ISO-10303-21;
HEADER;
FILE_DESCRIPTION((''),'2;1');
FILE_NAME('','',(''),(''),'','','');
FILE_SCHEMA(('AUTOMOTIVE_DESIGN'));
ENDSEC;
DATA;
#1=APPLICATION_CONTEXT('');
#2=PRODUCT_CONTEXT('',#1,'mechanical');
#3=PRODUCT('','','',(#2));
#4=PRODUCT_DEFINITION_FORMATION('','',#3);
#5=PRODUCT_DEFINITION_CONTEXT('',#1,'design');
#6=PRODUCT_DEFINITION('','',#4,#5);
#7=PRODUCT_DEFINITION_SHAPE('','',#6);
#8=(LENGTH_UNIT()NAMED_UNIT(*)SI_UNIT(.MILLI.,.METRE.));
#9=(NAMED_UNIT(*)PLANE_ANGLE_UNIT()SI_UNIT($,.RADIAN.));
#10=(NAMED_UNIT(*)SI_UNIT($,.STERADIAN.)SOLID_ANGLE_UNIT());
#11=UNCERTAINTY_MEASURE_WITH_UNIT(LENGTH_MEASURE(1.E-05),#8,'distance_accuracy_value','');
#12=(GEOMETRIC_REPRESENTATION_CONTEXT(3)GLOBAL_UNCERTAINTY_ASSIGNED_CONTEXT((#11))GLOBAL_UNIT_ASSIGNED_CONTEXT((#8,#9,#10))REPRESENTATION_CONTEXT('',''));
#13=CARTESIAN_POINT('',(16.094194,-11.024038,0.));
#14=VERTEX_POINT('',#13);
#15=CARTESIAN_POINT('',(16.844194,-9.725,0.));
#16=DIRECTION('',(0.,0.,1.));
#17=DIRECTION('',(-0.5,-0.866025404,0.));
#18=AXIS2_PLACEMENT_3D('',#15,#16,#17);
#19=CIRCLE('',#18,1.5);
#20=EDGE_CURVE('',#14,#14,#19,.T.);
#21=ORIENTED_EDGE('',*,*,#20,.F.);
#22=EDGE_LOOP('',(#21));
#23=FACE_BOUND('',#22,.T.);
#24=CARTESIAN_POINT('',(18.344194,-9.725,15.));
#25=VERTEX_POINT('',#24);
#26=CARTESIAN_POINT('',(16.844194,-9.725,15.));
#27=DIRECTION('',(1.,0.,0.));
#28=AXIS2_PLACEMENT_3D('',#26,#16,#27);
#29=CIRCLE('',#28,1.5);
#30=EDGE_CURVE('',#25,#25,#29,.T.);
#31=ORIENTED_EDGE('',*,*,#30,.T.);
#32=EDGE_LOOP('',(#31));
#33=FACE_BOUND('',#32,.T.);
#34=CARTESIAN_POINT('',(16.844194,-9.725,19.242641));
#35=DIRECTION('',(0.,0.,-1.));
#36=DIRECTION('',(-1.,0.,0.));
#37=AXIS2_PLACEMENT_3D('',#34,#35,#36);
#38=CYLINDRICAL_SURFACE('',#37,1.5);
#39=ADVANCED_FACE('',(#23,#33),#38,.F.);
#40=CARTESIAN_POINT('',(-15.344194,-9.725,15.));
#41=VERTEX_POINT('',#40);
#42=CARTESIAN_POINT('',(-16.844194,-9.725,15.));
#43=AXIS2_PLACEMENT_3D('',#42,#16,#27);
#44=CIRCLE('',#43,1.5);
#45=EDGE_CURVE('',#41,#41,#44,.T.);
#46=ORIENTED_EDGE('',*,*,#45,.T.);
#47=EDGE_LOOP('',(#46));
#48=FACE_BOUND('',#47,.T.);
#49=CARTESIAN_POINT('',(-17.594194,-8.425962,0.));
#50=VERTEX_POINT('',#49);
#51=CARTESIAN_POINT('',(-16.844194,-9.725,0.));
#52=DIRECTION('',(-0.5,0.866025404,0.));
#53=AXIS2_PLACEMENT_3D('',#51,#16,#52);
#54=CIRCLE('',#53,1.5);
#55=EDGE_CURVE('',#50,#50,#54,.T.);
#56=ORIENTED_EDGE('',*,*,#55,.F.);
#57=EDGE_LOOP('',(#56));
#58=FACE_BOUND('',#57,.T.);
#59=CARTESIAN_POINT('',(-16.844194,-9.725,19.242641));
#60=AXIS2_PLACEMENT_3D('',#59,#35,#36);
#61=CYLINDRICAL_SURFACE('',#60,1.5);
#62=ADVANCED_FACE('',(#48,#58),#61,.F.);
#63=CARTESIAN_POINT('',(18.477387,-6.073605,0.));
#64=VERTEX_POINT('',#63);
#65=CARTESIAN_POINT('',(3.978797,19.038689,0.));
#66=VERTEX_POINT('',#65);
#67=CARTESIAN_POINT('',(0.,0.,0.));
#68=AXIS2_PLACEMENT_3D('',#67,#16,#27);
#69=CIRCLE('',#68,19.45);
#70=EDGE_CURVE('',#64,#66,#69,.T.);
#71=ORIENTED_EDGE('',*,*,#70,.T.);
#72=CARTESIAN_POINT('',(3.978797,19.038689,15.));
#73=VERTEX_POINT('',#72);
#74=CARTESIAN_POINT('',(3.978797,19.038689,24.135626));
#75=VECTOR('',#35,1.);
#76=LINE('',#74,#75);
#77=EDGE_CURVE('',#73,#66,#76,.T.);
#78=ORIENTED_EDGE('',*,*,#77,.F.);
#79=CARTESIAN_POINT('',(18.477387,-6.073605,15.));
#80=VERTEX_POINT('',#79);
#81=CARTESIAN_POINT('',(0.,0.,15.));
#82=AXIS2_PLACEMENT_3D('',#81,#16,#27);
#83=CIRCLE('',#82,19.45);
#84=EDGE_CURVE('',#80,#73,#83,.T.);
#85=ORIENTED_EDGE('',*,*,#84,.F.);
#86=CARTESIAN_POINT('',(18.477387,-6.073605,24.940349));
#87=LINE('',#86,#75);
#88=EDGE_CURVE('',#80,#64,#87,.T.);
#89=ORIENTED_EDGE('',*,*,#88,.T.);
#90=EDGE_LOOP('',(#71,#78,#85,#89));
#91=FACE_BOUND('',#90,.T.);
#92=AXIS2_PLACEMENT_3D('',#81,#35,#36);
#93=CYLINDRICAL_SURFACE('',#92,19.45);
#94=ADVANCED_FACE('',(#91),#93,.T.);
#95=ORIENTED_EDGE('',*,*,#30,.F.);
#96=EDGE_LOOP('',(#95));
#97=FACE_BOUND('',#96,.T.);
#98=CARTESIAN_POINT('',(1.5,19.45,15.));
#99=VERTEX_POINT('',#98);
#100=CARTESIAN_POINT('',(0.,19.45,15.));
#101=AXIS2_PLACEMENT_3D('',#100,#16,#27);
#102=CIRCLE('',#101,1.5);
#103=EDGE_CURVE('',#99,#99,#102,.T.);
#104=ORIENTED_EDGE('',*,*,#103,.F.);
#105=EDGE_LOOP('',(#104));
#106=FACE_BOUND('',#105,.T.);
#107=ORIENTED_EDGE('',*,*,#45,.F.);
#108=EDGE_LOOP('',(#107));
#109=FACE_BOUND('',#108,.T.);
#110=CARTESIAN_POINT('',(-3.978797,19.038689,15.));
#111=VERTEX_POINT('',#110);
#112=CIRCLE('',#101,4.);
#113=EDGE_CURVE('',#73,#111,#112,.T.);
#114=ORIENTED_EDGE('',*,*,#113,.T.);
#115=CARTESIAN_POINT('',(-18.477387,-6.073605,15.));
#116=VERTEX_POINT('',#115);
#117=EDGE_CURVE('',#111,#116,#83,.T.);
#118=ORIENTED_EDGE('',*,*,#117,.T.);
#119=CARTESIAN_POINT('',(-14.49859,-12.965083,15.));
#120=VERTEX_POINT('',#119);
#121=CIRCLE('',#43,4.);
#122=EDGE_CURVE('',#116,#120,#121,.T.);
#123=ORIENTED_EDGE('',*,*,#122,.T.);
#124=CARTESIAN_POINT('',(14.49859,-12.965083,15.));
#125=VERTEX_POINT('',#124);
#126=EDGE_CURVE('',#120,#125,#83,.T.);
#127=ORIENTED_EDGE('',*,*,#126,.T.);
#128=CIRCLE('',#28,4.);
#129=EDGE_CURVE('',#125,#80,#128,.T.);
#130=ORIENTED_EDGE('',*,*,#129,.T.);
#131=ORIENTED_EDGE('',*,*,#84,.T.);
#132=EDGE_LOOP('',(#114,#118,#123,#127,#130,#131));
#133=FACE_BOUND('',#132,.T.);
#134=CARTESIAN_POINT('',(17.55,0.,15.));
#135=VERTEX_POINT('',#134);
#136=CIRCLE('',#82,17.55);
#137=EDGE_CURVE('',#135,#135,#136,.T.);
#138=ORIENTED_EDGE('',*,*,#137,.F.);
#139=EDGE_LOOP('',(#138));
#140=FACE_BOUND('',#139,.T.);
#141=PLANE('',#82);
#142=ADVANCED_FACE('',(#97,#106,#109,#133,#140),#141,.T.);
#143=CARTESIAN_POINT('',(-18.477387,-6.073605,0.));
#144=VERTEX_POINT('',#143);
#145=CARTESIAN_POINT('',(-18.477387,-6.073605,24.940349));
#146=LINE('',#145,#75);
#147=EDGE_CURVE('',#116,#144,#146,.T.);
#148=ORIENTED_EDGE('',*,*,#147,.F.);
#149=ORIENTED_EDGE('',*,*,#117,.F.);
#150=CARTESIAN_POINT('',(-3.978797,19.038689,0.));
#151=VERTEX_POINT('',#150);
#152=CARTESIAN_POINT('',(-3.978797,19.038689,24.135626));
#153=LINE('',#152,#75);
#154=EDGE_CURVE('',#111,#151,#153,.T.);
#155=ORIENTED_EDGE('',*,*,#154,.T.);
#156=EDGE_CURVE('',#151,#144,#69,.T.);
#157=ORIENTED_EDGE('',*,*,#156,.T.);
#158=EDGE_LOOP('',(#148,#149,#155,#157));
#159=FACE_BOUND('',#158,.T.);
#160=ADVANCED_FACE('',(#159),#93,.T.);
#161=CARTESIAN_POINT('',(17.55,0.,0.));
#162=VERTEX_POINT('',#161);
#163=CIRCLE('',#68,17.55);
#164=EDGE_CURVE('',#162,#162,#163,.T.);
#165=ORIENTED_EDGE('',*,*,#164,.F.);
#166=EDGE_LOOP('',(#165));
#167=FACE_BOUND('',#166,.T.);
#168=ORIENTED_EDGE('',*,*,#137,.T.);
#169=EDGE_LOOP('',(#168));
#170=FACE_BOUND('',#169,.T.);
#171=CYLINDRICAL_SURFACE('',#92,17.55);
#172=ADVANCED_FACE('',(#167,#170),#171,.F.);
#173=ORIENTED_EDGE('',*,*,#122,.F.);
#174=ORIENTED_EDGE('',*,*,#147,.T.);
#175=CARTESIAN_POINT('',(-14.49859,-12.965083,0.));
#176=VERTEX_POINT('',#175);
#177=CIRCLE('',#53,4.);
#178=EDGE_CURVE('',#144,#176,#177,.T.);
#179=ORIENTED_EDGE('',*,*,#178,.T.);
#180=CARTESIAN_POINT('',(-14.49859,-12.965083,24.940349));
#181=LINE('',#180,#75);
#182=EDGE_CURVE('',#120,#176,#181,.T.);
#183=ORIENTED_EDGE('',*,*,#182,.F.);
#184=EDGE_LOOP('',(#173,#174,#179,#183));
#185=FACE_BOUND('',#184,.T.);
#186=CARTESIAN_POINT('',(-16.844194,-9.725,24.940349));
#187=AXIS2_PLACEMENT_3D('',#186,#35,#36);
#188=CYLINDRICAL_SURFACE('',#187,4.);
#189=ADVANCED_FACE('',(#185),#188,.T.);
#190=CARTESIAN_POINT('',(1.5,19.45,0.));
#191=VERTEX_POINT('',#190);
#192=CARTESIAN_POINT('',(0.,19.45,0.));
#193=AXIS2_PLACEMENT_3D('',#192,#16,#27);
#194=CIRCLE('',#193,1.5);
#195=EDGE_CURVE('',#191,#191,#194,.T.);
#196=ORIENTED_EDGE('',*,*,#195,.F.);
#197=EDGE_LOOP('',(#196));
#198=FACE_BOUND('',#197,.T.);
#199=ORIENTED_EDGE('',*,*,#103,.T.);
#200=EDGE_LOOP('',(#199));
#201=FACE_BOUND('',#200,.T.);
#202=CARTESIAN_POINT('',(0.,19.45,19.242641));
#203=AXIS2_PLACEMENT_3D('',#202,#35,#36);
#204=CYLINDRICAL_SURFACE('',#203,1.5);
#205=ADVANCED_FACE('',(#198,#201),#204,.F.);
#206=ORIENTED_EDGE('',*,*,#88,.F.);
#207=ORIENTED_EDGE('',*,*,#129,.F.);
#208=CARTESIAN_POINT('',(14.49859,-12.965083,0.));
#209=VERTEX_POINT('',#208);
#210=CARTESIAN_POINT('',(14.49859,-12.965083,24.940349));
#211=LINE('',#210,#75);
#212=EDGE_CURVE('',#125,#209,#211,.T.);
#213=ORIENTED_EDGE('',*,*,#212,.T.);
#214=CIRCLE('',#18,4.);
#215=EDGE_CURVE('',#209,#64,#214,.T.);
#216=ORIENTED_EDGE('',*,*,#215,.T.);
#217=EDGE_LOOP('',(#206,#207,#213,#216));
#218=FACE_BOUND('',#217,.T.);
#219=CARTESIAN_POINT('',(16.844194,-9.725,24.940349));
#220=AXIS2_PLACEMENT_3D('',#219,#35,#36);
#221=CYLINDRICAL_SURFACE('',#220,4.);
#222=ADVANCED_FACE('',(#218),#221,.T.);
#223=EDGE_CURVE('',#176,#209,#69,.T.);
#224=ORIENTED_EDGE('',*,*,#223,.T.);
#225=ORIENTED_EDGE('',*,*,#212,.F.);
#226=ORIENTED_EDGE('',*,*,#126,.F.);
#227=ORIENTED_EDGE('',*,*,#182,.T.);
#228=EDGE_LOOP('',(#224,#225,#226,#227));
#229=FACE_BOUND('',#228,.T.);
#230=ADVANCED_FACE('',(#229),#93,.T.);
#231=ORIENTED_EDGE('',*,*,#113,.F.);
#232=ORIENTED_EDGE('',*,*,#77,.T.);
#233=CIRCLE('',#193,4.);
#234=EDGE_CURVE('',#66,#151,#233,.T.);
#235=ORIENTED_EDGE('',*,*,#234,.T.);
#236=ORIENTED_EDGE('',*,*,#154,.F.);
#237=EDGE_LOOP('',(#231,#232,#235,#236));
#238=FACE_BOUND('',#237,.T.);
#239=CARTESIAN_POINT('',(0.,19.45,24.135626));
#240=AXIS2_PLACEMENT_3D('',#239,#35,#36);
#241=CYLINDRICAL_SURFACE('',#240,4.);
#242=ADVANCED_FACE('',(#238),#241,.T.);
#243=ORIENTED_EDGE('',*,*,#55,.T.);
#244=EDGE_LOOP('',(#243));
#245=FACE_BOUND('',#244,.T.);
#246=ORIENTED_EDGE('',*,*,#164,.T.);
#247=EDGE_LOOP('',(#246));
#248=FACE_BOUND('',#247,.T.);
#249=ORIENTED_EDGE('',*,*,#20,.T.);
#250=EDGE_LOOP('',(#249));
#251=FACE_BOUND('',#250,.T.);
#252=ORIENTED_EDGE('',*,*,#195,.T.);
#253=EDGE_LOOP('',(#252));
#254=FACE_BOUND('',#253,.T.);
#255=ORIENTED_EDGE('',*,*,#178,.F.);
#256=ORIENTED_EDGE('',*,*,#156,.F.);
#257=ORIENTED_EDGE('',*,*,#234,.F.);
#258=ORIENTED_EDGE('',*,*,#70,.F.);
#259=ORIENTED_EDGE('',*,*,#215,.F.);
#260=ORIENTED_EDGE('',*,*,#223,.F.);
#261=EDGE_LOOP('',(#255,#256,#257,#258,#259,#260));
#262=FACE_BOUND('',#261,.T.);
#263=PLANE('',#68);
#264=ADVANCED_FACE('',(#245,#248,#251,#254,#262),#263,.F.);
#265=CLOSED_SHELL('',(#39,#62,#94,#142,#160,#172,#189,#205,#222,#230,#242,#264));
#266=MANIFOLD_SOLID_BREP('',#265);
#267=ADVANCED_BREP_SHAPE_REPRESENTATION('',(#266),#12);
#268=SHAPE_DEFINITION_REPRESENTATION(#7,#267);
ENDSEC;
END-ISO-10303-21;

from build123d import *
from build123d.topology import SkipClean

# Parameters (mm, degrees)
ESQUISSE1_R                                = 19.45
ESQUISSE1_R_2                              = 17.55
BOSS_EXTRU_1_DEPTH                         = 15
ESQUISSE1_5_R                              = 1.5
ENL_V_MAT_EXTRU_1_DEPTH                    = 15
BOSS_EXTRU_2_DEPTH                         = 15
R_P_TITION_CIRCULAIRE1_COUNT               = 2
R_P_TITION_CIRCULAIRE1_ANGLE               = 120
R_P_TITION_CIRCULAIRE1_THE_OTHER_WAY_COUNT = 2
R_P_TITION_CIRCULAIRE1_THE_OTHER_WAY_ANGLE = 120


with BuildPart() as part:
    # Esquisse1 → Boss.-Extru.1 (new body)
    with BuildSketch(Plane.XY):
        Circle(ESQUISSE1_R)
        Circle(ESQUISSE1_R_2, mode=Mode.SUBTRACT)
    extrude(amount=BOSS_EXTRU_1_DEPTH)

    # Esquisse1<5> → Enlèv. mat.-Extru.1 (cut)
    with BuildSketch(Plane.XY):
        with Locations((0, 19.45)):
            Circle(ESQUISSE1_5_R)
    enl_v_mat_extru_1 = extrude(amount=ENL_V_MAT_EXTRU_1_DEPTH, mode=Mode.SUBTRACT)

    # Esquisse1<6> → Boss.-Extru.2 (add)
    with SkipClean():  # the faces are left unmerged after this step: merging them gives an invalid solid
        with BuildSketch(Plane.XY):
            with BuildLine():
                ThreePointArc((-1.498884406, 19.392159383), (-0.028925687, 20.949721076), (1.5, 19.45))
                ThreePointArc((1.5, 19.45), (1.499721076, 19.421074313), (1.498884406, 19.392159383))
                ThreePointArc((1.498884406, 19.392159383), (2.744536924, 19.255389299), (3.978796705, 19.038688946))
                ThreePointArc((3.978796705, 19.038688946), (3.994695659, 19.244071394), (4, 19.45))
                ThreePointArc((4, 19.45), (-0.205928606, 23.444695659), (-3.978796705, 19.038688946))
                ThreePointArc((-3.978796705, 19.038688946), (-2.744536924, 19.255389299), (-1.498884406, 19.392159383))
            make_face()
        boss_extru_2 = extrude(amount=BOSS_EXTRU_2_DEPTH)

    # Répétition circulaire1: Enlèv. mat.-Extru.1, Boss.-Extru.2 ×2 about axis
    with SkipClean():  # the faces are left unmerged after this step: merging them gives an invalid solid
        r_p_tition_circulaire1_axis = Axis((0, 0, 15), (0, 0, -1))
        add([enl_v_mat_extru_1.rotate(r_p_tition_circulaire1_axis, i * R_P_TITION_CIRCULAIRE1_ANGLE / (R_P_TITION_CIRCULAIRE1_COUNT - 1)) for i in range(1, R_P_TITION_CIRCULAIRE1_COUNT)], mode=Mode.SUBTRACT)
        add([boss_extru_2.rotate(r_p_tition_circulaire1_axis, i * R_P_TITION_CIRCULAIRE1_ANGLE / (R_P_TITION_CIRCULAIRE1_COUNT - 1)) for i in range(1, R_P_TITION_CIRCULAIRE1_COUNT)])

    # Répétition circulaire1 the other way: Enlèv. mat.-Extru.1, Boss.-Extru.2 ×2 about axis
    with SkipClean():  # the faces are left unmerged after this step: merging them gives an invalid solid
        r_p_tition_circulaire1_the_other_way_axis = Axis((0, 0, 15), (0, 0, 1))
        add([enl_v_mat_extru_1.rotate(r_p_tition_circulaire1_the_other_way_axis, i * R_P_TITION_CIRCULAIRE1_THE_OTHER_WAY_ANGLE / (R_P_TITION_CIRCULAIRE1_THE_OTHER_WAY_COUNT - 1)) for i in range(1, R_P_TITION_CIRCULAIRE1_THE_OTHER_WAY_COUNT)], mode=Mode.SUBTRACT)
        add([boss_extru_2.rotate(r_p_tition_circulaire1_the_other_way_axis, i * R_P_TITION_CIRCULAIRE1_THE_OTHER_WAY_ANGLE / (R_P_TITION_CIRCULAIRE1_THE_OTHER_WAY_COUNT - 1)) for i in range(1, R_P_TITION_CIRCULAIRE1_THE_OTHER_WAY_COUNT)])


solid = part.part
